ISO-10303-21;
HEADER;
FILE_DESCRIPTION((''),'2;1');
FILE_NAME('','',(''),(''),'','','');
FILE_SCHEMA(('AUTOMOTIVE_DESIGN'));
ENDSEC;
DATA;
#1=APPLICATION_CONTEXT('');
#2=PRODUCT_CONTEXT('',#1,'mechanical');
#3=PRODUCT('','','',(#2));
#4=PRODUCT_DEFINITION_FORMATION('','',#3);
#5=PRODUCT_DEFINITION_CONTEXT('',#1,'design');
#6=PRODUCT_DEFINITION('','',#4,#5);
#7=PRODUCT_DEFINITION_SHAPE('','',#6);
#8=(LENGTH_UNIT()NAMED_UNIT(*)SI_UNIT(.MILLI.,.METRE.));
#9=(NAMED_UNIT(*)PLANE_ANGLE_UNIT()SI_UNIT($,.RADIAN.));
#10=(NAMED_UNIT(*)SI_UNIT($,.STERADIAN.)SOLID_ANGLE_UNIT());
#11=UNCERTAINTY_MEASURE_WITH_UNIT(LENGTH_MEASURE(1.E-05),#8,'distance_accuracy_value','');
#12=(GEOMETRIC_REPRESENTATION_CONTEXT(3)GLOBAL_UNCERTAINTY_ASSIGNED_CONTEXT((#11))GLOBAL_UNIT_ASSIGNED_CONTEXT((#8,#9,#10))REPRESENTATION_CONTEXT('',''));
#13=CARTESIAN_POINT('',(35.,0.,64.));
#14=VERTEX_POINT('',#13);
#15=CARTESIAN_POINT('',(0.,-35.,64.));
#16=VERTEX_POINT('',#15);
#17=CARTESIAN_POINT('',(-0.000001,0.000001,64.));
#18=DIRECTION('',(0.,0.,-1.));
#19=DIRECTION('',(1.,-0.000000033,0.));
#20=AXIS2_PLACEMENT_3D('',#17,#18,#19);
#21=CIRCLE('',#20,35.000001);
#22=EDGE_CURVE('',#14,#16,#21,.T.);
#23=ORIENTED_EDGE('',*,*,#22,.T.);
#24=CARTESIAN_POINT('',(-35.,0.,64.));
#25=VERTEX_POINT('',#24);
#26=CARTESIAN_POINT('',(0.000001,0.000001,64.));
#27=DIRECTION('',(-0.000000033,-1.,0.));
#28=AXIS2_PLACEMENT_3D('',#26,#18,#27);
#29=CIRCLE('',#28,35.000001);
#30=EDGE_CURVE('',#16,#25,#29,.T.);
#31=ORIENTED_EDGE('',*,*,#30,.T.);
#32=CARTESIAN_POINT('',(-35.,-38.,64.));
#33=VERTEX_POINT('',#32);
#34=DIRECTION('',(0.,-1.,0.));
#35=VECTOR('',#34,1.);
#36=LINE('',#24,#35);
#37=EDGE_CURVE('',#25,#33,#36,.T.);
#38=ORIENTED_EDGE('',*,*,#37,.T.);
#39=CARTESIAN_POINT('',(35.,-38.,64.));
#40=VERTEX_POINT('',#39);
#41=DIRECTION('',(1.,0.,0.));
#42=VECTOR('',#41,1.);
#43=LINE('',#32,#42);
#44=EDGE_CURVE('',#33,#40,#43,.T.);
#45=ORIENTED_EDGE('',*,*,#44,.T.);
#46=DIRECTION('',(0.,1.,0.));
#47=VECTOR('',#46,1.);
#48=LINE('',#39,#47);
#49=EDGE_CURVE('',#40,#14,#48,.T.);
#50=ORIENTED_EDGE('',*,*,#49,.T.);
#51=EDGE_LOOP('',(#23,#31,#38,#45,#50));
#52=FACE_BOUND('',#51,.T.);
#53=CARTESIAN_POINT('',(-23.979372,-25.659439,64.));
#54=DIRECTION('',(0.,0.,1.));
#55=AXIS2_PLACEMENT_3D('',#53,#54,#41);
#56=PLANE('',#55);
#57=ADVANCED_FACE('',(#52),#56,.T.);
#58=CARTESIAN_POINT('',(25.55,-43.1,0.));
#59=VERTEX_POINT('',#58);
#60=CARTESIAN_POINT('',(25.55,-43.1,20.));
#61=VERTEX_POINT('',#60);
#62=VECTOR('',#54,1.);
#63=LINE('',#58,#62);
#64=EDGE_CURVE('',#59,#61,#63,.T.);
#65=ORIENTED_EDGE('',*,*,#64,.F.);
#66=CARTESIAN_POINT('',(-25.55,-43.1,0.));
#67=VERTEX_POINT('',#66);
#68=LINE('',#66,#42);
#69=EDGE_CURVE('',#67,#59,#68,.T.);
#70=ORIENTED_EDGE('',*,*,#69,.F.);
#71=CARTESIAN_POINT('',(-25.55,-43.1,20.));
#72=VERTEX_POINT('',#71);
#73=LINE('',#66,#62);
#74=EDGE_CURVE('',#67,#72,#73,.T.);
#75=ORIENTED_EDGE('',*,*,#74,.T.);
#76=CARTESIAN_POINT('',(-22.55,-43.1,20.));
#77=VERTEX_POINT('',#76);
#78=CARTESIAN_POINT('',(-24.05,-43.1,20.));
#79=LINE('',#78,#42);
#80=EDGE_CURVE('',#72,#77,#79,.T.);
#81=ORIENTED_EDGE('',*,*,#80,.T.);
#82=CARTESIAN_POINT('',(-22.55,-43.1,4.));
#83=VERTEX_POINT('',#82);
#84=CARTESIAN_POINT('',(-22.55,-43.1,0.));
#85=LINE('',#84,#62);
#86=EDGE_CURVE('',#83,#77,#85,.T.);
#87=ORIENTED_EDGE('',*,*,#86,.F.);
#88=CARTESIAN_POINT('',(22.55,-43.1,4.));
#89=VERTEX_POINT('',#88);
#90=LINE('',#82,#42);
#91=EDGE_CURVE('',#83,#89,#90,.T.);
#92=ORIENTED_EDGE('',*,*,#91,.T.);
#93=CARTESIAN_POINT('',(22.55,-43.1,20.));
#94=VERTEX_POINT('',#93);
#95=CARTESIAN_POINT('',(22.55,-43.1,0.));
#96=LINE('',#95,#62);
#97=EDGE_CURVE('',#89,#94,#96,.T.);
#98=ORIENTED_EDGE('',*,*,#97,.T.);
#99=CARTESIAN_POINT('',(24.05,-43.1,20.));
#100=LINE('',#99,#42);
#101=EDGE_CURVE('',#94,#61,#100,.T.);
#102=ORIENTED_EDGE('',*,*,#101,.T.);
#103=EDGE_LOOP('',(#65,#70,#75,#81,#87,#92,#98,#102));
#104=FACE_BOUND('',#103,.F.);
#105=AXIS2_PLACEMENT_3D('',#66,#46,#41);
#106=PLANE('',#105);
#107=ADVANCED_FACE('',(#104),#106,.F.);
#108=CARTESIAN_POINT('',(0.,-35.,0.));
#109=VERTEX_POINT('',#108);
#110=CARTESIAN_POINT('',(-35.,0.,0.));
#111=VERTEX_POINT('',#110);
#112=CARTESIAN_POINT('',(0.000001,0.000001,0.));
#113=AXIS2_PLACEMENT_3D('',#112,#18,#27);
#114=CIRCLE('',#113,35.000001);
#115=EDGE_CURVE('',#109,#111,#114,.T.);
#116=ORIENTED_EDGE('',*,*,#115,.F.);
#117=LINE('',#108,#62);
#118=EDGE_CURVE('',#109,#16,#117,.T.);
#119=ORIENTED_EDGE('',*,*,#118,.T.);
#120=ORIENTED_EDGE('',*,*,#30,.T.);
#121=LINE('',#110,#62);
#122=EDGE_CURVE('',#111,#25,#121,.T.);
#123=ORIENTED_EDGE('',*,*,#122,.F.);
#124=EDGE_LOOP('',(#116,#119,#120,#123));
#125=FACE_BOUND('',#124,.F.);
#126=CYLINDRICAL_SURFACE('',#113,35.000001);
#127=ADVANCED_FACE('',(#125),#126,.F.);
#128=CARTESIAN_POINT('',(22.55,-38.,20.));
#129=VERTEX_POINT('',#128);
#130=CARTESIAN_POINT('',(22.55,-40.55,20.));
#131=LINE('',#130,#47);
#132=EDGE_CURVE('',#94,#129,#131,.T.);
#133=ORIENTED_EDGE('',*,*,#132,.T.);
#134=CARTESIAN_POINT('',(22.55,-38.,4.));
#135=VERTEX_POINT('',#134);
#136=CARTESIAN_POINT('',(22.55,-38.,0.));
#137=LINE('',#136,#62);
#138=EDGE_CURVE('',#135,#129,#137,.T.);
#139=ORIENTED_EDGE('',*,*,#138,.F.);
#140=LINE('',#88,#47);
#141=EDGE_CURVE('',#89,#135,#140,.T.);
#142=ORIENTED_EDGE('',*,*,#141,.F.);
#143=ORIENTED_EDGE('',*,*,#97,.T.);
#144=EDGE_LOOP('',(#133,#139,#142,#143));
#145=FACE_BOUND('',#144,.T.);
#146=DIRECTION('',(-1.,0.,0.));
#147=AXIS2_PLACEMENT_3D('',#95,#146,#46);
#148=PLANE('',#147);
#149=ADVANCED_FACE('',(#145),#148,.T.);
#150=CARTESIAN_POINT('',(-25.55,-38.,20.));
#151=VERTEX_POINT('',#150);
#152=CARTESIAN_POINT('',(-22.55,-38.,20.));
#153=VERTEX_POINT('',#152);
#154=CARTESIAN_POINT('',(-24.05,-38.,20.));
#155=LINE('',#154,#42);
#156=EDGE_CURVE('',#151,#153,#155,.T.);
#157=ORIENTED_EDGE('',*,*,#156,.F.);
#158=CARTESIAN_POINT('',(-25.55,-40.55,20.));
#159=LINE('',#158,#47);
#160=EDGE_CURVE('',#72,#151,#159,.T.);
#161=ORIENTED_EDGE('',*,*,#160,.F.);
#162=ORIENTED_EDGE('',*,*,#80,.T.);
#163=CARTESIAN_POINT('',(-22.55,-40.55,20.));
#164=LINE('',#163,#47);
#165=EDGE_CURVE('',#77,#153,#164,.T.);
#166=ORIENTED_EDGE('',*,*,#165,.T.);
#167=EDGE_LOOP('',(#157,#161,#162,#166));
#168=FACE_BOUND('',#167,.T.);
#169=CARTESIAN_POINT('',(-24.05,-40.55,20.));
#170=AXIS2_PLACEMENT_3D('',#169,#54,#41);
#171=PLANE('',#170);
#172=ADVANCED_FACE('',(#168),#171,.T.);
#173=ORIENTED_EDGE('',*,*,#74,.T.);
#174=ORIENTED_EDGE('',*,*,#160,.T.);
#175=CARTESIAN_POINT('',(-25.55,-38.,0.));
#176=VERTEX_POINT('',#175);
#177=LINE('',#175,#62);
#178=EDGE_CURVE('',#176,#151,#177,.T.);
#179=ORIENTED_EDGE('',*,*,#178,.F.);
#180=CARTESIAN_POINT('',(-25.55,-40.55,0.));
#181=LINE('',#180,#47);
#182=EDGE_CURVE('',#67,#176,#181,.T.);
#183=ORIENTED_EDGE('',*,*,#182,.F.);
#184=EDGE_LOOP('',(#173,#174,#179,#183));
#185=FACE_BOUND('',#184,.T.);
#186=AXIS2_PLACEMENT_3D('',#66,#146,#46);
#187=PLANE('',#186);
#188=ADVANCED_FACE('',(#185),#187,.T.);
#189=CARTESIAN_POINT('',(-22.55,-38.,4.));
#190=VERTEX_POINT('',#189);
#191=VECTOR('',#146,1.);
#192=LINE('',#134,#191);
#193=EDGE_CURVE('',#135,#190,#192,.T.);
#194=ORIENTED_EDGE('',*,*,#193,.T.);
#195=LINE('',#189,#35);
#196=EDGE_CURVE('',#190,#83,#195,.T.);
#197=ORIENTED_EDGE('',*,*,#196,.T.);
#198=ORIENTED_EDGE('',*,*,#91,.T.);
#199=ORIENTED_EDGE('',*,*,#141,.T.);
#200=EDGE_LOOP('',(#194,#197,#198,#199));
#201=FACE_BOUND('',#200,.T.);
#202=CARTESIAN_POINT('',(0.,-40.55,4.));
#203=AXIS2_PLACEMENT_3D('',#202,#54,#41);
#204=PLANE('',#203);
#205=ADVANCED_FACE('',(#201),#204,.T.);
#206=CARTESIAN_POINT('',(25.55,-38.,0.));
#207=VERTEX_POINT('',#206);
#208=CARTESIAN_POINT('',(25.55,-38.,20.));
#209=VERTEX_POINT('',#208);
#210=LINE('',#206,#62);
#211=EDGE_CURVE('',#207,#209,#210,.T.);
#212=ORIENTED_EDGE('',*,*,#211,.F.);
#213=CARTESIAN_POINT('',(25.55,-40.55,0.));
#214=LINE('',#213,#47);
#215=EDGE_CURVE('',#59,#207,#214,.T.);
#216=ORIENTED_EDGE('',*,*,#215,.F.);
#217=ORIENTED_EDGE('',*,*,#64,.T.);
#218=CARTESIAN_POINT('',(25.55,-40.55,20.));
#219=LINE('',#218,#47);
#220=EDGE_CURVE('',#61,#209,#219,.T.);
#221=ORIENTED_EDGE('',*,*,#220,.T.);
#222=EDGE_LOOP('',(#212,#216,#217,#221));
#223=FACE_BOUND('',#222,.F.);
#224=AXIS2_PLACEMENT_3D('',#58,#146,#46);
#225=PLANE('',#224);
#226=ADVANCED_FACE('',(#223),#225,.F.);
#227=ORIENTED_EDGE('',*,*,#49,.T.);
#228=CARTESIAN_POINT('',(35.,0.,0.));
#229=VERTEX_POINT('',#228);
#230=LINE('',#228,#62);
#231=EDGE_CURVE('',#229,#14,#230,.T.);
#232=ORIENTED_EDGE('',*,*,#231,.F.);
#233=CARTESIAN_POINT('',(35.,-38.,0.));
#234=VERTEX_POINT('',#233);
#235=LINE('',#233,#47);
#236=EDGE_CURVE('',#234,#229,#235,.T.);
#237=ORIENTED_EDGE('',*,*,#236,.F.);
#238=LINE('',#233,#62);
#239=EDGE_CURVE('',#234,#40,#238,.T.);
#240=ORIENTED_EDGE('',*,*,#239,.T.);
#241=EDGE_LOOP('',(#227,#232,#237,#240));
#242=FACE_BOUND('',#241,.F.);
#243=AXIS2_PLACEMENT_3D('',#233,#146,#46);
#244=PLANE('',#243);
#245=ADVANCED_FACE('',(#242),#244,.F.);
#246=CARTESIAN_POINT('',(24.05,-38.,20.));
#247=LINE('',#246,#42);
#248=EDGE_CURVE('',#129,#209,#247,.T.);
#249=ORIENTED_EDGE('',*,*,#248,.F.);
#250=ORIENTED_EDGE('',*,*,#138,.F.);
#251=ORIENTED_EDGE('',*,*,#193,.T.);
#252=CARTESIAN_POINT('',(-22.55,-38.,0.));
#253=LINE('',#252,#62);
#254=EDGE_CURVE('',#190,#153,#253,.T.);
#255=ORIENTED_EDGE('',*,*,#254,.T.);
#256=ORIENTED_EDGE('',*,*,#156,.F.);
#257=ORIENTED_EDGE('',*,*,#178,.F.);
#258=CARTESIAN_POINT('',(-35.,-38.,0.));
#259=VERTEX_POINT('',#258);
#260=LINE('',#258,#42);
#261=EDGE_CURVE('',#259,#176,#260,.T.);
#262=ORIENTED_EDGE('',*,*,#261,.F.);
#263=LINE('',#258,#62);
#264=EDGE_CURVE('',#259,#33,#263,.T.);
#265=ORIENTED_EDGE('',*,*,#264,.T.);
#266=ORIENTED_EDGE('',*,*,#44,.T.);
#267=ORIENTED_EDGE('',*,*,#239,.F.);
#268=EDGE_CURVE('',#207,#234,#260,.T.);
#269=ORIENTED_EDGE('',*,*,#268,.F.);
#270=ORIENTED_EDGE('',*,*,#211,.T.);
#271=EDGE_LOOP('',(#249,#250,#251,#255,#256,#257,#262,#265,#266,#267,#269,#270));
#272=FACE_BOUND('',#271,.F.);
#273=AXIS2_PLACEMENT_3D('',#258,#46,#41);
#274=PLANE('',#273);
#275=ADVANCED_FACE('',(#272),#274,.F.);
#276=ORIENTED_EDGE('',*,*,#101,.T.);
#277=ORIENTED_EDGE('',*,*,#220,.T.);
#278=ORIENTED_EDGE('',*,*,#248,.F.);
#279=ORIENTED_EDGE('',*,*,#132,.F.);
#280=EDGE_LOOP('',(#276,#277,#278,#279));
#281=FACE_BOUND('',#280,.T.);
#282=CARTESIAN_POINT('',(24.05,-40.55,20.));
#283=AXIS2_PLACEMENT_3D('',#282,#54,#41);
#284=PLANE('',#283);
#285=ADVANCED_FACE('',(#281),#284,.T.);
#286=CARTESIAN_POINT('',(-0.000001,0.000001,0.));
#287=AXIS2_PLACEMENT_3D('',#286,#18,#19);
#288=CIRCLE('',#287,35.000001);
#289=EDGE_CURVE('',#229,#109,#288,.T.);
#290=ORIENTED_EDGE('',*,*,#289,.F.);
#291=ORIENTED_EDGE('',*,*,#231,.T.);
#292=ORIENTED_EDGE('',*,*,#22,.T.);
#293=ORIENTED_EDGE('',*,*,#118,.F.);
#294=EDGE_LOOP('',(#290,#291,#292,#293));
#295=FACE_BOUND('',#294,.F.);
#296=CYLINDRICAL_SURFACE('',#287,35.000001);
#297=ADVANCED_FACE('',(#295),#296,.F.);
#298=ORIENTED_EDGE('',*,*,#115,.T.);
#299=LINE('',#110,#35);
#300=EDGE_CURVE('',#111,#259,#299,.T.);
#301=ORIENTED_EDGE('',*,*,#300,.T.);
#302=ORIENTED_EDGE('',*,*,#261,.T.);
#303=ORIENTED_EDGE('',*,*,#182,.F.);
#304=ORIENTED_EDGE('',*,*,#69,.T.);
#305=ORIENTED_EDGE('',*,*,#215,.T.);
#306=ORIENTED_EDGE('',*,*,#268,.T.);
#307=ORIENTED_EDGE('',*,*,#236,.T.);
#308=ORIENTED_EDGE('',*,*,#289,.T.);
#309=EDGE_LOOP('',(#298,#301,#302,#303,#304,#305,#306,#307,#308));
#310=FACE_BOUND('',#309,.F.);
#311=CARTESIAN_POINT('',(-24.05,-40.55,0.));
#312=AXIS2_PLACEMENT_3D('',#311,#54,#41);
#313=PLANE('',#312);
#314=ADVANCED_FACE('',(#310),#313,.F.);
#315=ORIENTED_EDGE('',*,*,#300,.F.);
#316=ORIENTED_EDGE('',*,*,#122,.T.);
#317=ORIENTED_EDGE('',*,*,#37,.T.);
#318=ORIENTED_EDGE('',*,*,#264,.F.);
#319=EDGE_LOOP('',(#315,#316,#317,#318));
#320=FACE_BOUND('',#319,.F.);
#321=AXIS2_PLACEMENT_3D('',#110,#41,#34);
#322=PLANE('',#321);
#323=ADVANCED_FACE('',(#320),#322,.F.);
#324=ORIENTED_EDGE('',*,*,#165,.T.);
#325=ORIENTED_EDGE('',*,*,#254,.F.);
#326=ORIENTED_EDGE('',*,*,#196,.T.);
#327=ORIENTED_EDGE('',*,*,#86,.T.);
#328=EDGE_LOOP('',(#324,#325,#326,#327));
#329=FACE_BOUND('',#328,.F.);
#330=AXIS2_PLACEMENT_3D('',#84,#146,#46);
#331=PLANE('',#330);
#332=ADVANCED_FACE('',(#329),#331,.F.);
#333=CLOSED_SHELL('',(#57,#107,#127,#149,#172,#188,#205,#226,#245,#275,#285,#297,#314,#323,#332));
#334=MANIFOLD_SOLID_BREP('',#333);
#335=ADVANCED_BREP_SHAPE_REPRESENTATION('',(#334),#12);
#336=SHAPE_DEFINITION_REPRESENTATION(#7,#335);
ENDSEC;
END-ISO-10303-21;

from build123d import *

# Parameters (mm, degrees)
F1_DEPTH = 64
F2_DEPTH = 4
F0_W     = 3
F0_H     = 5.1
F3_DEPTH = 20


with BuildPart() as f1:
    # F0 (on Top) → F1 (new body)
    with BuildSketch(Plane.XY):
        with BuildLine():
            ThreePointArc((0, -35), (-24.748737, -24.748737), (-35, 0))
            Line((-35, 0), (-35, -38))
            Line((-35, -38), (-25.55, -38))
            Line((-25.55, -38), (-22.55, -38))
            Line((-22.55, -38), (0, -38))
            Line((0, -38), (0, -35))
        make_face()
        with BuildLine():
            Line((35, -38), (35, 0))
            ThreePointArc((35, 0), (24.748737, -24.748737), (0, -35))
            Line((0, -35), (0, -38))
            Line((0, -38), (22.55, -38))
            Line((22.55, -38), (25.55, -38))
            Line((25.55, -38), (35, -38))
        make_face()
    extrude(amount=F1_DEPTH)

    # F0 (on Top) → F2 (join)
    with BuildSketch(Plane.XY):
        Polygon((22.55, -38), (0, -38), (-22.55, -38), (-22.55, -43.1), (22.55, -43.1), align=None)
    extrude(amount=F2_DEPTH)

    # F0 (on Top) → F3 (join)
    with BuildSketch(Plane.XY):
        with Locations((-24.05, -40.55)):
            Rectangle(F0_W, F0_H)
        with Locations((24.05, -40.55)):
            Rectangle(F0_W, F0_H)
    extrude(amount=F3_DEPTH)


solid = f1.part
